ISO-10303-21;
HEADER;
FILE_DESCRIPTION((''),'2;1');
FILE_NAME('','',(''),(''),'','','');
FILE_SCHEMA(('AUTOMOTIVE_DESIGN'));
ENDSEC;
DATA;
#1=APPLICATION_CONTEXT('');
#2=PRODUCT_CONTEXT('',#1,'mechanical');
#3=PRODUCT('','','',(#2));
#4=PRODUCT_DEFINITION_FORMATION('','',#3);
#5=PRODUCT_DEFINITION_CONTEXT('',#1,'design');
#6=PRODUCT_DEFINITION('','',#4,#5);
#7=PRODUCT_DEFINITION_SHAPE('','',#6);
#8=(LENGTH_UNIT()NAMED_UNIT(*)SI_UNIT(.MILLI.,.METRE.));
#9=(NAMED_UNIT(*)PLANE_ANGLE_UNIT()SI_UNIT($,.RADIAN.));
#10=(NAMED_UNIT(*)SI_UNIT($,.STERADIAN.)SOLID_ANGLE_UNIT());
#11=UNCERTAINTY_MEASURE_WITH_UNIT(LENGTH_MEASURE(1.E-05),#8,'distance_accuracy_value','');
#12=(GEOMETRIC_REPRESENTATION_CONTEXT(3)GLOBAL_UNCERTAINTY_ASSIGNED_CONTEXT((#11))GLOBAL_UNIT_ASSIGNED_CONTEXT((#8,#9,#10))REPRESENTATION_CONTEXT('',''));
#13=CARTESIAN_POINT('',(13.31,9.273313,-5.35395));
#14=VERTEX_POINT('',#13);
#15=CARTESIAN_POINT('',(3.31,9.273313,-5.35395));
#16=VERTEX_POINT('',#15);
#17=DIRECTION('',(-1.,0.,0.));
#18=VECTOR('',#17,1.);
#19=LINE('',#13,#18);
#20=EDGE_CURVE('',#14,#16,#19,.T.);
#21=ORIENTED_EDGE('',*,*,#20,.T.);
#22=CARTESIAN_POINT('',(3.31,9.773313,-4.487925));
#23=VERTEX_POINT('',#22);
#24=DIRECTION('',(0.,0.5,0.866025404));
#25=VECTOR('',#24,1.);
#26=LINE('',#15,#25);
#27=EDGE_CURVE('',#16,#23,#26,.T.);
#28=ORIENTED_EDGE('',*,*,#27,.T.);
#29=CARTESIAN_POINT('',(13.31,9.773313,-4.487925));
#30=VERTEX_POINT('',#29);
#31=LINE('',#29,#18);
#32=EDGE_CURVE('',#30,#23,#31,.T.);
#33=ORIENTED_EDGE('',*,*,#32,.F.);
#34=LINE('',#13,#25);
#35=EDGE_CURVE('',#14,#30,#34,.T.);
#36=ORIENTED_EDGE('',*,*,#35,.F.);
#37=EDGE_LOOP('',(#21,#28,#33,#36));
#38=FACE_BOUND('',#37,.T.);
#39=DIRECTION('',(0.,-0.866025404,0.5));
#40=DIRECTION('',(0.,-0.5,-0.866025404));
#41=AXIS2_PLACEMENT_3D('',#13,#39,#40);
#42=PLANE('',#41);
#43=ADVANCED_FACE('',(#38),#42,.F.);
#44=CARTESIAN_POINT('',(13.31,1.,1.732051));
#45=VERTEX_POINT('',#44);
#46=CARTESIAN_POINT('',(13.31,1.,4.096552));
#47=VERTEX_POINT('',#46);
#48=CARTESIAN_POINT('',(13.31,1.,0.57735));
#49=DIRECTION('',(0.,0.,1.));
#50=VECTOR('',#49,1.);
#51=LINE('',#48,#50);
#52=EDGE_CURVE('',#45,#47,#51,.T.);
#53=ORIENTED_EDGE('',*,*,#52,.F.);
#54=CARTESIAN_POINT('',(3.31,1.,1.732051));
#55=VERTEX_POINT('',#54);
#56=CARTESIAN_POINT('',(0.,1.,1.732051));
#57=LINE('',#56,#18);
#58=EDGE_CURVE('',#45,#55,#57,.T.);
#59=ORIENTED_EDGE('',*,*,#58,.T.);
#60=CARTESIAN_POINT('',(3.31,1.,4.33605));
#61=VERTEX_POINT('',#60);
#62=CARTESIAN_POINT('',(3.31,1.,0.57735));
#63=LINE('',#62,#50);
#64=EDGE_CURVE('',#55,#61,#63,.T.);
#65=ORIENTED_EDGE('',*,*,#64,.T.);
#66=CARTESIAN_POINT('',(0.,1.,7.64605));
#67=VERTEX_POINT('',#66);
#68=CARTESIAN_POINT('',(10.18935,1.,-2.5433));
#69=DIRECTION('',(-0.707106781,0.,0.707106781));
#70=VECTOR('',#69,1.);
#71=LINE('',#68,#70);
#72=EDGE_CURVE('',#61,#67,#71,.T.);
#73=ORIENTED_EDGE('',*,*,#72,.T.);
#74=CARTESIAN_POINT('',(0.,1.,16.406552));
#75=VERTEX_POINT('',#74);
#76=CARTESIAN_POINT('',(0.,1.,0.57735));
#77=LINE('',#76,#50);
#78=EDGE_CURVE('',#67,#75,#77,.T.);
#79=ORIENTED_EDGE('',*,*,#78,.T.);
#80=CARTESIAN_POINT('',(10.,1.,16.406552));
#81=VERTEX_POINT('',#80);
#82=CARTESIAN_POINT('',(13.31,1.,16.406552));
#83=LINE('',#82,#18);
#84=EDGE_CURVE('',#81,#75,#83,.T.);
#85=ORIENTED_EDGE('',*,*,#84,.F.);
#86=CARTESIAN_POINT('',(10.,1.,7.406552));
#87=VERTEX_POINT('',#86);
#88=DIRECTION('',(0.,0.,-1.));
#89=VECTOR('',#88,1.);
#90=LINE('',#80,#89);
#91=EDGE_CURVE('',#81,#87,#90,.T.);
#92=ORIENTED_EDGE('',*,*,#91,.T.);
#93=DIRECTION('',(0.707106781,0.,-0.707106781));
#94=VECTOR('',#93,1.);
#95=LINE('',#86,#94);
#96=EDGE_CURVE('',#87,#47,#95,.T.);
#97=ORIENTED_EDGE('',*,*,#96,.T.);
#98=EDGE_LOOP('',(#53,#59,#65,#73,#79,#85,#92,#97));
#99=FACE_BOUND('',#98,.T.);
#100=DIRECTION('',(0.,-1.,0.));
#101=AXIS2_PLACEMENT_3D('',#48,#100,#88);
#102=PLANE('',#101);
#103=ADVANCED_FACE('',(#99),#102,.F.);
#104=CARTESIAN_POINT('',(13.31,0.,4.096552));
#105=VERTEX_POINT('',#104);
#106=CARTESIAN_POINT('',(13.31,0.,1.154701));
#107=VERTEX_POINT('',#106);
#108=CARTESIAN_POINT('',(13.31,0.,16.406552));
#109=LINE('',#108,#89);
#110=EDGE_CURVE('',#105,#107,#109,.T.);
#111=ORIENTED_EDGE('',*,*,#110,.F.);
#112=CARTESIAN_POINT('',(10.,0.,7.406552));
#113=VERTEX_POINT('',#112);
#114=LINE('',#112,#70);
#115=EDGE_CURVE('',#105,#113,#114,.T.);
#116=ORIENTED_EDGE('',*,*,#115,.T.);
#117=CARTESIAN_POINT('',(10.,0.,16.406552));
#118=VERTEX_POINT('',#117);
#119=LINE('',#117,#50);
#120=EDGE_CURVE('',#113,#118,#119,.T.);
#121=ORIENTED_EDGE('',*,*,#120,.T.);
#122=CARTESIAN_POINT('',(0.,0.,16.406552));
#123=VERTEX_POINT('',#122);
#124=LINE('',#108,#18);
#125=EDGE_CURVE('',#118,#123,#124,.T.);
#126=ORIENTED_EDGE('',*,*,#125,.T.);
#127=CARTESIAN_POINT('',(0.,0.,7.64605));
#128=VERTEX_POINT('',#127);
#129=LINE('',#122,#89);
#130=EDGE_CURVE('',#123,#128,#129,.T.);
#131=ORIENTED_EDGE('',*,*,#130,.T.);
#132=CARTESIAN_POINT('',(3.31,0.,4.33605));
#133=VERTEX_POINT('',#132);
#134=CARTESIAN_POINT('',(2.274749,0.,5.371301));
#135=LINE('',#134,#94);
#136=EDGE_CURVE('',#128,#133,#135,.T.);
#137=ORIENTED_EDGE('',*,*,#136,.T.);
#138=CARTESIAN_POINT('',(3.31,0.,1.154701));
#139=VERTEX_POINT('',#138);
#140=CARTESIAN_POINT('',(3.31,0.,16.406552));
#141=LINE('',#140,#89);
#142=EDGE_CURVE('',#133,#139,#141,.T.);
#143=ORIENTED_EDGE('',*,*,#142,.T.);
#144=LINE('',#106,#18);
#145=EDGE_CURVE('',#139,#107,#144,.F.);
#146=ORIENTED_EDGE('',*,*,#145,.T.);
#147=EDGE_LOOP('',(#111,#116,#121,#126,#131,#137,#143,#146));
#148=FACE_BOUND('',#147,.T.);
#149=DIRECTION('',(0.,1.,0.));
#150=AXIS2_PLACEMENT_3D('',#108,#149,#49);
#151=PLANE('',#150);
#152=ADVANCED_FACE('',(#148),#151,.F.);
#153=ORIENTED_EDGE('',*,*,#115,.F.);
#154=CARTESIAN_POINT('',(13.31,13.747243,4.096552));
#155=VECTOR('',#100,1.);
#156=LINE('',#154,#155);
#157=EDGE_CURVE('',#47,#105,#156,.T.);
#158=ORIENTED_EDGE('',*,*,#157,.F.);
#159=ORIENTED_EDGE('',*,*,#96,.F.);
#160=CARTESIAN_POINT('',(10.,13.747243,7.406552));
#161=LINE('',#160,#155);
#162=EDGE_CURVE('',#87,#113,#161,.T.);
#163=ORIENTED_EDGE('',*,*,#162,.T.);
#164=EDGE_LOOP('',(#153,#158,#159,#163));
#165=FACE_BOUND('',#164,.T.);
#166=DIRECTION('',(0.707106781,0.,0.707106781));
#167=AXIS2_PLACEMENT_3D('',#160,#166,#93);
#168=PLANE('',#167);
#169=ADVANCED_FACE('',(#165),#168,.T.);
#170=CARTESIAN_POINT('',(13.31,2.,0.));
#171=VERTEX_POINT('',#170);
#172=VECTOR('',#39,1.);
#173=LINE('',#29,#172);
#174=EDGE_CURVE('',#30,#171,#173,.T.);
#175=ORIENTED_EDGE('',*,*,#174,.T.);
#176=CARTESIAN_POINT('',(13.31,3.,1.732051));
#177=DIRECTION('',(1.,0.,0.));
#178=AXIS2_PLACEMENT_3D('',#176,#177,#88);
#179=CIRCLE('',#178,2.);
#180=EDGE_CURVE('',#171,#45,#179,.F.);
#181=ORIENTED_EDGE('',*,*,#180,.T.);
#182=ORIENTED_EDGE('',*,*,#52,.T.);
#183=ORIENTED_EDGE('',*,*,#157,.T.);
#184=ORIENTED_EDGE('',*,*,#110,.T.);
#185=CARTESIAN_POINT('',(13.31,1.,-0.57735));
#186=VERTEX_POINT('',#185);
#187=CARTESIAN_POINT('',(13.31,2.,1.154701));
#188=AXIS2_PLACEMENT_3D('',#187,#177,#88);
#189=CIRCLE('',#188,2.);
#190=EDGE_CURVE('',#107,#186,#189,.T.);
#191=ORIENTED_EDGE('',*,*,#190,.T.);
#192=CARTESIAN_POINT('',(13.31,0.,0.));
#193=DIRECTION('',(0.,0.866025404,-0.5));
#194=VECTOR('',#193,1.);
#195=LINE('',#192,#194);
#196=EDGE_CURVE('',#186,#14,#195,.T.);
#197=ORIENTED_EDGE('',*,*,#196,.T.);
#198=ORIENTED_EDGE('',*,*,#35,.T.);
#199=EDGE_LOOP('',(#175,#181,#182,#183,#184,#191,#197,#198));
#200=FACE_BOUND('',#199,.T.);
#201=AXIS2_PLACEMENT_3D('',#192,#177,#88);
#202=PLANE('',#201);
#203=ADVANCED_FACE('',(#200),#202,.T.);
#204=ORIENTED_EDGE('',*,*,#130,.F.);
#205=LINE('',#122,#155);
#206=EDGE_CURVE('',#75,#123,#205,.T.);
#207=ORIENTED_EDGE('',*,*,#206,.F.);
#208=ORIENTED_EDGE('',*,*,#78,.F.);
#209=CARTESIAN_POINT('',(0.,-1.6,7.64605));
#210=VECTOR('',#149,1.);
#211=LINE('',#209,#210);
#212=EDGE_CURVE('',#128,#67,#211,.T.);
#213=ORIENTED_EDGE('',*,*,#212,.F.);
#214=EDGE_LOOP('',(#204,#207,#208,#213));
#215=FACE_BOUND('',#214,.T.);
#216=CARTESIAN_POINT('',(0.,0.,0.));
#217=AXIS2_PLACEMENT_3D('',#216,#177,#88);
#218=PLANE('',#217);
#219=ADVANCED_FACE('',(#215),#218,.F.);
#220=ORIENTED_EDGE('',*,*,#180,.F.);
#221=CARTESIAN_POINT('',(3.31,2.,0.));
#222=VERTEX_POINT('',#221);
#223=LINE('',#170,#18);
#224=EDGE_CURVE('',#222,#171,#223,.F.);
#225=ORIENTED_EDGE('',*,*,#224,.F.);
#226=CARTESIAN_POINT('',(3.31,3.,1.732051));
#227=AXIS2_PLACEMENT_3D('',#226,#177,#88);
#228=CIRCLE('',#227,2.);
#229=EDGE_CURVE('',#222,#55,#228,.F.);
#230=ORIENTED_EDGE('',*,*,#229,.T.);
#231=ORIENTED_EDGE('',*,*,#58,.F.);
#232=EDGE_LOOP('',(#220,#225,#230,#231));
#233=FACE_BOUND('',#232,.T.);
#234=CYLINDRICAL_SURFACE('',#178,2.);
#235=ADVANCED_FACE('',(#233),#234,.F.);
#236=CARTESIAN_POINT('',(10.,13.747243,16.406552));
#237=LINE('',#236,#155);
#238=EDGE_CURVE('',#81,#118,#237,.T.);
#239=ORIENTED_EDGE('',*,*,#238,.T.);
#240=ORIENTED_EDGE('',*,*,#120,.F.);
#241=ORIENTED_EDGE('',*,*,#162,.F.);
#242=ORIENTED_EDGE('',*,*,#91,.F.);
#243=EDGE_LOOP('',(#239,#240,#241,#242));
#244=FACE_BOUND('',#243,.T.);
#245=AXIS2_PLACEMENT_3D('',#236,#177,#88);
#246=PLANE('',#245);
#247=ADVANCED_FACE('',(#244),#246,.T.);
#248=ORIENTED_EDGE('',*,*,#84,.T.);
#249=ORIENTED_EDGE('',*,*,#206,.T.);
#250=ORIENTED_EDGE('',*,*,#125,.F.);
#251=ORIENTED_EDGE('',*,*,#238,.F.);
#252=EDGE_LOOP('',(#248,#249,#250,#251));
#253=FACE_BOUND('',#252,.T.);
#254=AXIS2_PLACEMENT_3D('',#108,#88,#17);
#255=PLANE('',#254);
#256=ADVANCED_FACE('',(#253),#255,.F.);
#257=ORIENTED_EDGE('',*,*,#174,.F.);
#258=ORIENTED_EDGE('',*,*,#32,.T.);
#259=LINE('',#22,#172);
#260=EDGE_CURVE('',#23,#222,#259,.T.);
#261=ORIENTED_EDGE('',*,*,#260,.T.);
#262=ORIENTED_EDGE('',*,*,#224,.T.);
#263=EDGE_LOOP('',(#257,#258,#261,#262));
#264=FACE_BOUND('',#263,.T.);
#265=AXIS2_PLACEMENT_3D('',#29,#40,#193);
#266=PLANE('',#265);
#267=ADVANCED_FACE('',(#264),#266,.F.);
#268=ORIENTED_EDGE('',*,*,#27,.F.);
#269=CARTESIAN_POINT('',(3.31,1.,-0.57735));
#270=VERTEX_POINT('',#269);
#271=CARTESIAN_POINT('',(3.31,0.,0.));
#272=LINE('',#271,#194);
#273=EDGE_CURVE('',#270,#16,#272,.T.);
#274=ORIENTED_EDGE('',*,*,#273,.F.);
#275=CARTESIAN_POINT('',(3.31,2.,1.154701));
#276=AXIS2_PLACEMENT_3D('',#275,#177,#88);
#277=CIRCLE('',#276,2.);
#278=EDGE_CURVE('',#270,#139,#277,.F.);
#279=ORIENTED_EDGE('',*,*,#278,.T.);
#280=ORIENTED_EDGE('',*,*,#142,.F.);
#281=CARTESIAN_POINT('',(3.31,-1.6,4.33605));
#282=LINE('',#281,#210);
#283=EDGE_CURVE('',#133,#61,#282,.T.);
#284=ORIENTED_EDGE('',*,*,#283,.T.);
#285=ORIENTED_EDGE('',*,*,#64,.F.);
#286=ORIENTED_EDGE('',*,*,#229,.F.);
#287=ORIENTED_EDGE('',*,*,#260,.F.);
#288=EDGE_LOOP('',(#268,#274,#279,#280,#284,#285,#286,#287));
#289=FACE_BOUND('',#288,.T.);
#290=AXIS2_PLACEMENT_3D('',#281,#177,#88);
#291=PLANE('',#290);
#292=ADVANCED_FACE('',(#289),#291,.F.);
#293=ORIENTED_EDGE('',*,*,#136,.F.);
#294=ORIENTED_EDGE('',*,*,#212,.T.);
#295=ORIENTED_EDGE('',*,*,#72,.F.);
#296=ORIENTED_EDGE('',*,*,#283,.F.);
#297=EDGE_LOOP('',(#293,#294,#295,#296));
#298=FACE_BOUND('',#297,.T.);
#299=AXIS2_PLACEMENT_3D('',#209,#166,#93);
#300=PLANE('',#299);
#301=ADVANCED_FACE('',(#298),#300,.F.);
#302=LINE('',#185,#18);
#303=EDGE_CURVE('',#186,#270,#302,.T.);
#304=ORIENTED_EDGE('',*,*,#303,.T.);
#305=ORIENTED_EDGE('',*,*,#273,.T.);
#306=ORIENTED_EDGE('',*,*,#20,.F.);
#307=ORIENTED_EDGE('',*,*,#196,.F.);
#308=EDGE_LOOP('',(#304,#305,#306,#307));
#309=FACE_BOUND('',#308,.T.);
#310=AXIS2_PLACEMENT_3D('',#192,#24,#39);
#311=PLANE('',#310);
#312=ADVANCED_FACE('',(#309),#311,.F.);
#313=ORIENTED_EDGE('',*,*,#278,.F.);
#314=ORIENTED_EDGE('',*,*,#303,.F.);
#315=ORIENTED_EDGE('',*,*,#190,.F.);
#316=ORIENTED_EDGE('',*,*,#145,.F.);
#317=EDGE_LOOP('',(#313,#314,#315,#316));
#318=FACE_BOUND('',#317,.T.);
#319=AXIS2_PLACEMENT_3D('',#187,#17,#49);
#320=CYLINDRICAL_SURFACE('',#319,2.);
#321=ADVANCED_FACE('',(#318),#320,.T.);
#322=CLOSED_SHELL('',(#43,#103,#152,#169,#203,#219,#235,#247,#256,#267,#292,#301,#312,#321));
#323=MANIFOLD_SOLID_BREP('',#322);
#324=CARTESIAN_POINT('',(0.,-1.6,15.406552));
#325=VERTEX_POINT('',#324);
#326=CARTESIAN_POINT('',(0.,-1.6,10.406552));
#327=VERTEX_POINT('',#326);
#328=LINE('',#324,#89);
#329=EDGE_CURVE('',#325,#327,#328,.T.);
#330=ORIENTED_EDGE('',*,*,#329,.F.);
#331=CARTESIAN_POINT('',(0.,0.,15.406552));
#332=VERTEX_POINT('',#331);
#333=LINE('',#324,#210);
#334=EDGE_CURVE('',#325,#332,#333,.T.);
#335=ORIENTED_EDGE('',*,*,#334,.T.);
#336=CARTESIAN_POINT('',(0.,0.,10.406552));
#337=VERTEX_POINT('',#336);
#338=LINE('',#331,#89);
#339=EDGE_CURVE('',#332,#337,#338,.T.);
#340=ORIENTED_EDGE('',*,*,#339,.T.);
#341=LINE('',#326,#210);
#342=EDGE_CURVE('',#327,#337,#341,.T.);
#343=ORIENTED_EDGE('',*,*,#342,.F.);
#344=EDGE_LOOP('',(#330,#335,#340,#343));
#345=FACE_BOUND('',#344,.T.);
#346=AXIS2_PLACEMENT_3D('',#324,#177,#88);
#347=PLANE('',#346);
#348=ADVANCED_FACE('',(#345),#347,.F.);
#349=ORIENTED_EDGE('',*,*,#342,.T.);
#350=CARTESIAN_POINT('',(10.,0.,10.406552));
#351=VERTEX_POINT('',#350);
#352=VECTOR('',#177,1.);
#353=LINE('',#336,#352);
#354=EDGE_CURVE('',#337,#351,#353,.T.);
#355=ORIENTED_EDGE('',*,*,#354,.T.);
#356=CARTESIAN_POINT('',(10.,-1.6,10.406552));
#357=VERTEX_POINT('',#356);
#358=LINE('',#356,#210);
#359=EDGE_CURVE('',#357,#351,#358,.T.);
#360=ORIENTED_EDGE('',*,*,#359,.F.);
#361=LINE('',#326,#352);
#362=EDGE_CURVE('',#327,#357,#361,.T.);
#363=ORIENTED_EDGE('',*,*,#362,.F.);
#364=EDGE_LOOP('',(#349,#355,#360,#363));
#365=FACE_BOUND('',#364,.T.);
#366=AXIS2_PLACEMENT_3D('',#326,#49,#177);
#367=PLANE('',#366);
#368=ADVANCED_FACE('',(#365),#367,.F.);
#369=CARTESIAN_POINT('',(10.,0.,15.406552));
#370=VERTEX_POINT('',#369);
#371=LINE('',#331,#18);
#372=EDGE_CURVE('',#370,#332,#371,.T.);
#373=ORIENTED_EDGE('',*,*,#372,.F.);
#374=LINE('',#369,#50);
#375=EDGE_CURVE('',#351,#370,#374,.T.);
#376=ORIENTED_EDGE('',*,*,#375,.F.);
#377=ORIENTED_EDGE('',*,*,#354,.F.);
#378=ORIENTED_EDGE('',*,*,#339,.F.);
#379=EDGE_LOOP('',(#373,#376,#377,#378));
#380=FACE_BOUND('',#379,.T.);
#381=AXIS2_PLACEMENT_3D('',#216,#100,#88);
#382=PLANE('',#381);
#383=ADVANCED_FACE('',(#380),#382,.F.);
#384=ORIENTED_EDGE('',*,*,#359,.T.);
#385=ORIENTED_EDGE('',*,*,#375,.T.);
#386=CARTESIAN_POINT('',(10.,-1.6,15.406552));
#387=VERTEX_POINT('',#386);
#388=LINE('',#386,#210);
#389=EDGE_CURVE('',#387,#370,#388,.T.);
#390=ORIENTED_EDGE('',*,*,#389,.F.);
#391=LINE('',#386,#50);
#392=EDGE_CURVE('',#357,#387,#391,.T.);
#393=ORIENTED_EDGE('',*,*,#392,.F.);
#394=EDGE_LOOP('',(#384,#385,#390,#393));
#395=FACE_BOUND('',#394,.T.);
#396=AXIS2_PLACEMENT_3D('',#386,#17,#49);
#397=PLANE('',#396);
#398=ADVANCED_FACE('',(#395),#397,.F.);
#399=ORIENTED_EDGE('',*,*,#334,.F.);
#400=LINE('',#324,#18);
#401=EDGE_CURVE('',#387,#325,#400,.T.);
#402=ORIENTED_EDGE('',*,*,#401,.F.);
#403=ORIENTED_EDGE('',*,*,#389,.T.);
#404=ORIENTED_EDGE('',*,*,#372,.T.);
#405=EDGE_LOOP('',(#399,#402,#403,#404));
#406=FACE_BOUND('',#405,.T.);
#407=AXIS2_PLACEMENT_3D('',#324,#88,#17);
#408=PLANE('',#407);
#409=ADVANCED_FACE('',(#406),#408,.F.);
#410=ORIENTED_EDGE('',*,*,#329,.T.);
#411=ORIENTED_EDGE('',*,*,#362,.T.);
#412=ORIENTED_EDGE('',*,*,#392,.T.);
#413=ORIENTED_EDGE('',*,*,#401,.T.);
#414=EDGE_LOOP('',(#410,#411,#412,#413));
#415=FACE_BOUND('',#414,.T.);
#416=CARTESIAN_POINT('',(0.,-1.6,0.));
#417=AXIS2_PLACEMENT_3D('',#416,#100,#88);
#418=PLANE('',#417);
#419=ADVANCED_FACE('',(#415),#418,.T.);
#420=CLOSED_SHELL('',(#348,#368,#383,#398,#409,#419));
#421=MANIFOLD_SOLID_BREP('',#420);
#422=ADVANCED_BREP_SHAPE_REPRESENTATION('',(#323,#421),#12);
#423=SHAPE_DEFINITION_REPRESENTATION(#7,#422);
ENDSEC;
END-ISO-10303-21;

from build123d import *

# Parameters (mm, degrees)
BOSS_EXTRUDE1_DEPTH     = 13.31
CUT_EXTRUDE1_DEPTH      = 1
FILLET1_R               = 2
SKETCH4_W               = 10
SKETCH4_H               = 5
BOSS_EXTRUDE2_DEPTH     = 1.6
CUT_EXTRUDE2_DEPTH      = 10.773313421
CUT_EXTRUDE2_DEPTH_BACK = 2.6


with BuildPart() as part:
    # Sketch1 → Boss-Extrude1 (new body)
    with BuildSketch(Plane(origin=(0, 0, 0), x_dir=(0, 0, -1), z_dir=(1, 0, 0))):
        Polygon((4.487924596, 9.773313421), (-0.577350269, 1), (-16.4065524, 1), (-16.4065524, 0), (0, 0), (5.35395, 9.273313421), align=None)
    extrude(amount=BOSS_EXTRUDE1_DEPTH)

    # Sketch2 → Cut-Extrude1 (cut)
    with BuildSketch(Plane(origin=(0, 0, 0), x_dir=(1, 0, 0), z_dir=(0, 1, 0))):
        Polygon((13.31, -16.4065524), (10, -16.4065524), (10, -7.4065524), (13.31, -4.0965524), align=None)
    extrude(amount=CUT_EXTRUDE1_DEPTH, mode=Mode.SUBTRACT)

    # Fillet1
    fillet1_edges = [part.edges().sort_by_distance(p)[0] for p in [
        (6.655, 0, 0),
        (6.655, 1, 0.577350269),
    ]]
    fillet(fillet1_edges, radius=FILLET1_R)

    # Sketch5 → Cut-Extrude2 (cut, two sides)
    with BuildSketch(Plane(origin=(0, 0, 0), x_dir=(1, 0, 0), z_dir=(0, 1, 0))) as cut_extrude2_sk:
        Polygon((0, 5.35395), (0, -7.64605), (3.31, -4.33605), (3.31, 5.35395), align=None)
    extrude(amount=CUT_EXTRUDE2_DEPTH, mode=Mode.SUBTRACT)
    extrude(cut_extrude2_sk.sketch, amount=-CUT_EXTRUDE2_DEPTH_BACK, mode=Mode.SUBTRACT)


with BuildPart() as body_2:
    # Sketch4 → Boss-Extrude2 (new body)
    with BuildSketch(Plane.XZ):
        with Locations((5, 12.9065524)):
            Rectangle(SKETCH4_W, SKETCH4_H)
    extrude(amount=BOSS_EXTRUDE2_DEPTH)


solid = Compound([part.part, body_2.part])
